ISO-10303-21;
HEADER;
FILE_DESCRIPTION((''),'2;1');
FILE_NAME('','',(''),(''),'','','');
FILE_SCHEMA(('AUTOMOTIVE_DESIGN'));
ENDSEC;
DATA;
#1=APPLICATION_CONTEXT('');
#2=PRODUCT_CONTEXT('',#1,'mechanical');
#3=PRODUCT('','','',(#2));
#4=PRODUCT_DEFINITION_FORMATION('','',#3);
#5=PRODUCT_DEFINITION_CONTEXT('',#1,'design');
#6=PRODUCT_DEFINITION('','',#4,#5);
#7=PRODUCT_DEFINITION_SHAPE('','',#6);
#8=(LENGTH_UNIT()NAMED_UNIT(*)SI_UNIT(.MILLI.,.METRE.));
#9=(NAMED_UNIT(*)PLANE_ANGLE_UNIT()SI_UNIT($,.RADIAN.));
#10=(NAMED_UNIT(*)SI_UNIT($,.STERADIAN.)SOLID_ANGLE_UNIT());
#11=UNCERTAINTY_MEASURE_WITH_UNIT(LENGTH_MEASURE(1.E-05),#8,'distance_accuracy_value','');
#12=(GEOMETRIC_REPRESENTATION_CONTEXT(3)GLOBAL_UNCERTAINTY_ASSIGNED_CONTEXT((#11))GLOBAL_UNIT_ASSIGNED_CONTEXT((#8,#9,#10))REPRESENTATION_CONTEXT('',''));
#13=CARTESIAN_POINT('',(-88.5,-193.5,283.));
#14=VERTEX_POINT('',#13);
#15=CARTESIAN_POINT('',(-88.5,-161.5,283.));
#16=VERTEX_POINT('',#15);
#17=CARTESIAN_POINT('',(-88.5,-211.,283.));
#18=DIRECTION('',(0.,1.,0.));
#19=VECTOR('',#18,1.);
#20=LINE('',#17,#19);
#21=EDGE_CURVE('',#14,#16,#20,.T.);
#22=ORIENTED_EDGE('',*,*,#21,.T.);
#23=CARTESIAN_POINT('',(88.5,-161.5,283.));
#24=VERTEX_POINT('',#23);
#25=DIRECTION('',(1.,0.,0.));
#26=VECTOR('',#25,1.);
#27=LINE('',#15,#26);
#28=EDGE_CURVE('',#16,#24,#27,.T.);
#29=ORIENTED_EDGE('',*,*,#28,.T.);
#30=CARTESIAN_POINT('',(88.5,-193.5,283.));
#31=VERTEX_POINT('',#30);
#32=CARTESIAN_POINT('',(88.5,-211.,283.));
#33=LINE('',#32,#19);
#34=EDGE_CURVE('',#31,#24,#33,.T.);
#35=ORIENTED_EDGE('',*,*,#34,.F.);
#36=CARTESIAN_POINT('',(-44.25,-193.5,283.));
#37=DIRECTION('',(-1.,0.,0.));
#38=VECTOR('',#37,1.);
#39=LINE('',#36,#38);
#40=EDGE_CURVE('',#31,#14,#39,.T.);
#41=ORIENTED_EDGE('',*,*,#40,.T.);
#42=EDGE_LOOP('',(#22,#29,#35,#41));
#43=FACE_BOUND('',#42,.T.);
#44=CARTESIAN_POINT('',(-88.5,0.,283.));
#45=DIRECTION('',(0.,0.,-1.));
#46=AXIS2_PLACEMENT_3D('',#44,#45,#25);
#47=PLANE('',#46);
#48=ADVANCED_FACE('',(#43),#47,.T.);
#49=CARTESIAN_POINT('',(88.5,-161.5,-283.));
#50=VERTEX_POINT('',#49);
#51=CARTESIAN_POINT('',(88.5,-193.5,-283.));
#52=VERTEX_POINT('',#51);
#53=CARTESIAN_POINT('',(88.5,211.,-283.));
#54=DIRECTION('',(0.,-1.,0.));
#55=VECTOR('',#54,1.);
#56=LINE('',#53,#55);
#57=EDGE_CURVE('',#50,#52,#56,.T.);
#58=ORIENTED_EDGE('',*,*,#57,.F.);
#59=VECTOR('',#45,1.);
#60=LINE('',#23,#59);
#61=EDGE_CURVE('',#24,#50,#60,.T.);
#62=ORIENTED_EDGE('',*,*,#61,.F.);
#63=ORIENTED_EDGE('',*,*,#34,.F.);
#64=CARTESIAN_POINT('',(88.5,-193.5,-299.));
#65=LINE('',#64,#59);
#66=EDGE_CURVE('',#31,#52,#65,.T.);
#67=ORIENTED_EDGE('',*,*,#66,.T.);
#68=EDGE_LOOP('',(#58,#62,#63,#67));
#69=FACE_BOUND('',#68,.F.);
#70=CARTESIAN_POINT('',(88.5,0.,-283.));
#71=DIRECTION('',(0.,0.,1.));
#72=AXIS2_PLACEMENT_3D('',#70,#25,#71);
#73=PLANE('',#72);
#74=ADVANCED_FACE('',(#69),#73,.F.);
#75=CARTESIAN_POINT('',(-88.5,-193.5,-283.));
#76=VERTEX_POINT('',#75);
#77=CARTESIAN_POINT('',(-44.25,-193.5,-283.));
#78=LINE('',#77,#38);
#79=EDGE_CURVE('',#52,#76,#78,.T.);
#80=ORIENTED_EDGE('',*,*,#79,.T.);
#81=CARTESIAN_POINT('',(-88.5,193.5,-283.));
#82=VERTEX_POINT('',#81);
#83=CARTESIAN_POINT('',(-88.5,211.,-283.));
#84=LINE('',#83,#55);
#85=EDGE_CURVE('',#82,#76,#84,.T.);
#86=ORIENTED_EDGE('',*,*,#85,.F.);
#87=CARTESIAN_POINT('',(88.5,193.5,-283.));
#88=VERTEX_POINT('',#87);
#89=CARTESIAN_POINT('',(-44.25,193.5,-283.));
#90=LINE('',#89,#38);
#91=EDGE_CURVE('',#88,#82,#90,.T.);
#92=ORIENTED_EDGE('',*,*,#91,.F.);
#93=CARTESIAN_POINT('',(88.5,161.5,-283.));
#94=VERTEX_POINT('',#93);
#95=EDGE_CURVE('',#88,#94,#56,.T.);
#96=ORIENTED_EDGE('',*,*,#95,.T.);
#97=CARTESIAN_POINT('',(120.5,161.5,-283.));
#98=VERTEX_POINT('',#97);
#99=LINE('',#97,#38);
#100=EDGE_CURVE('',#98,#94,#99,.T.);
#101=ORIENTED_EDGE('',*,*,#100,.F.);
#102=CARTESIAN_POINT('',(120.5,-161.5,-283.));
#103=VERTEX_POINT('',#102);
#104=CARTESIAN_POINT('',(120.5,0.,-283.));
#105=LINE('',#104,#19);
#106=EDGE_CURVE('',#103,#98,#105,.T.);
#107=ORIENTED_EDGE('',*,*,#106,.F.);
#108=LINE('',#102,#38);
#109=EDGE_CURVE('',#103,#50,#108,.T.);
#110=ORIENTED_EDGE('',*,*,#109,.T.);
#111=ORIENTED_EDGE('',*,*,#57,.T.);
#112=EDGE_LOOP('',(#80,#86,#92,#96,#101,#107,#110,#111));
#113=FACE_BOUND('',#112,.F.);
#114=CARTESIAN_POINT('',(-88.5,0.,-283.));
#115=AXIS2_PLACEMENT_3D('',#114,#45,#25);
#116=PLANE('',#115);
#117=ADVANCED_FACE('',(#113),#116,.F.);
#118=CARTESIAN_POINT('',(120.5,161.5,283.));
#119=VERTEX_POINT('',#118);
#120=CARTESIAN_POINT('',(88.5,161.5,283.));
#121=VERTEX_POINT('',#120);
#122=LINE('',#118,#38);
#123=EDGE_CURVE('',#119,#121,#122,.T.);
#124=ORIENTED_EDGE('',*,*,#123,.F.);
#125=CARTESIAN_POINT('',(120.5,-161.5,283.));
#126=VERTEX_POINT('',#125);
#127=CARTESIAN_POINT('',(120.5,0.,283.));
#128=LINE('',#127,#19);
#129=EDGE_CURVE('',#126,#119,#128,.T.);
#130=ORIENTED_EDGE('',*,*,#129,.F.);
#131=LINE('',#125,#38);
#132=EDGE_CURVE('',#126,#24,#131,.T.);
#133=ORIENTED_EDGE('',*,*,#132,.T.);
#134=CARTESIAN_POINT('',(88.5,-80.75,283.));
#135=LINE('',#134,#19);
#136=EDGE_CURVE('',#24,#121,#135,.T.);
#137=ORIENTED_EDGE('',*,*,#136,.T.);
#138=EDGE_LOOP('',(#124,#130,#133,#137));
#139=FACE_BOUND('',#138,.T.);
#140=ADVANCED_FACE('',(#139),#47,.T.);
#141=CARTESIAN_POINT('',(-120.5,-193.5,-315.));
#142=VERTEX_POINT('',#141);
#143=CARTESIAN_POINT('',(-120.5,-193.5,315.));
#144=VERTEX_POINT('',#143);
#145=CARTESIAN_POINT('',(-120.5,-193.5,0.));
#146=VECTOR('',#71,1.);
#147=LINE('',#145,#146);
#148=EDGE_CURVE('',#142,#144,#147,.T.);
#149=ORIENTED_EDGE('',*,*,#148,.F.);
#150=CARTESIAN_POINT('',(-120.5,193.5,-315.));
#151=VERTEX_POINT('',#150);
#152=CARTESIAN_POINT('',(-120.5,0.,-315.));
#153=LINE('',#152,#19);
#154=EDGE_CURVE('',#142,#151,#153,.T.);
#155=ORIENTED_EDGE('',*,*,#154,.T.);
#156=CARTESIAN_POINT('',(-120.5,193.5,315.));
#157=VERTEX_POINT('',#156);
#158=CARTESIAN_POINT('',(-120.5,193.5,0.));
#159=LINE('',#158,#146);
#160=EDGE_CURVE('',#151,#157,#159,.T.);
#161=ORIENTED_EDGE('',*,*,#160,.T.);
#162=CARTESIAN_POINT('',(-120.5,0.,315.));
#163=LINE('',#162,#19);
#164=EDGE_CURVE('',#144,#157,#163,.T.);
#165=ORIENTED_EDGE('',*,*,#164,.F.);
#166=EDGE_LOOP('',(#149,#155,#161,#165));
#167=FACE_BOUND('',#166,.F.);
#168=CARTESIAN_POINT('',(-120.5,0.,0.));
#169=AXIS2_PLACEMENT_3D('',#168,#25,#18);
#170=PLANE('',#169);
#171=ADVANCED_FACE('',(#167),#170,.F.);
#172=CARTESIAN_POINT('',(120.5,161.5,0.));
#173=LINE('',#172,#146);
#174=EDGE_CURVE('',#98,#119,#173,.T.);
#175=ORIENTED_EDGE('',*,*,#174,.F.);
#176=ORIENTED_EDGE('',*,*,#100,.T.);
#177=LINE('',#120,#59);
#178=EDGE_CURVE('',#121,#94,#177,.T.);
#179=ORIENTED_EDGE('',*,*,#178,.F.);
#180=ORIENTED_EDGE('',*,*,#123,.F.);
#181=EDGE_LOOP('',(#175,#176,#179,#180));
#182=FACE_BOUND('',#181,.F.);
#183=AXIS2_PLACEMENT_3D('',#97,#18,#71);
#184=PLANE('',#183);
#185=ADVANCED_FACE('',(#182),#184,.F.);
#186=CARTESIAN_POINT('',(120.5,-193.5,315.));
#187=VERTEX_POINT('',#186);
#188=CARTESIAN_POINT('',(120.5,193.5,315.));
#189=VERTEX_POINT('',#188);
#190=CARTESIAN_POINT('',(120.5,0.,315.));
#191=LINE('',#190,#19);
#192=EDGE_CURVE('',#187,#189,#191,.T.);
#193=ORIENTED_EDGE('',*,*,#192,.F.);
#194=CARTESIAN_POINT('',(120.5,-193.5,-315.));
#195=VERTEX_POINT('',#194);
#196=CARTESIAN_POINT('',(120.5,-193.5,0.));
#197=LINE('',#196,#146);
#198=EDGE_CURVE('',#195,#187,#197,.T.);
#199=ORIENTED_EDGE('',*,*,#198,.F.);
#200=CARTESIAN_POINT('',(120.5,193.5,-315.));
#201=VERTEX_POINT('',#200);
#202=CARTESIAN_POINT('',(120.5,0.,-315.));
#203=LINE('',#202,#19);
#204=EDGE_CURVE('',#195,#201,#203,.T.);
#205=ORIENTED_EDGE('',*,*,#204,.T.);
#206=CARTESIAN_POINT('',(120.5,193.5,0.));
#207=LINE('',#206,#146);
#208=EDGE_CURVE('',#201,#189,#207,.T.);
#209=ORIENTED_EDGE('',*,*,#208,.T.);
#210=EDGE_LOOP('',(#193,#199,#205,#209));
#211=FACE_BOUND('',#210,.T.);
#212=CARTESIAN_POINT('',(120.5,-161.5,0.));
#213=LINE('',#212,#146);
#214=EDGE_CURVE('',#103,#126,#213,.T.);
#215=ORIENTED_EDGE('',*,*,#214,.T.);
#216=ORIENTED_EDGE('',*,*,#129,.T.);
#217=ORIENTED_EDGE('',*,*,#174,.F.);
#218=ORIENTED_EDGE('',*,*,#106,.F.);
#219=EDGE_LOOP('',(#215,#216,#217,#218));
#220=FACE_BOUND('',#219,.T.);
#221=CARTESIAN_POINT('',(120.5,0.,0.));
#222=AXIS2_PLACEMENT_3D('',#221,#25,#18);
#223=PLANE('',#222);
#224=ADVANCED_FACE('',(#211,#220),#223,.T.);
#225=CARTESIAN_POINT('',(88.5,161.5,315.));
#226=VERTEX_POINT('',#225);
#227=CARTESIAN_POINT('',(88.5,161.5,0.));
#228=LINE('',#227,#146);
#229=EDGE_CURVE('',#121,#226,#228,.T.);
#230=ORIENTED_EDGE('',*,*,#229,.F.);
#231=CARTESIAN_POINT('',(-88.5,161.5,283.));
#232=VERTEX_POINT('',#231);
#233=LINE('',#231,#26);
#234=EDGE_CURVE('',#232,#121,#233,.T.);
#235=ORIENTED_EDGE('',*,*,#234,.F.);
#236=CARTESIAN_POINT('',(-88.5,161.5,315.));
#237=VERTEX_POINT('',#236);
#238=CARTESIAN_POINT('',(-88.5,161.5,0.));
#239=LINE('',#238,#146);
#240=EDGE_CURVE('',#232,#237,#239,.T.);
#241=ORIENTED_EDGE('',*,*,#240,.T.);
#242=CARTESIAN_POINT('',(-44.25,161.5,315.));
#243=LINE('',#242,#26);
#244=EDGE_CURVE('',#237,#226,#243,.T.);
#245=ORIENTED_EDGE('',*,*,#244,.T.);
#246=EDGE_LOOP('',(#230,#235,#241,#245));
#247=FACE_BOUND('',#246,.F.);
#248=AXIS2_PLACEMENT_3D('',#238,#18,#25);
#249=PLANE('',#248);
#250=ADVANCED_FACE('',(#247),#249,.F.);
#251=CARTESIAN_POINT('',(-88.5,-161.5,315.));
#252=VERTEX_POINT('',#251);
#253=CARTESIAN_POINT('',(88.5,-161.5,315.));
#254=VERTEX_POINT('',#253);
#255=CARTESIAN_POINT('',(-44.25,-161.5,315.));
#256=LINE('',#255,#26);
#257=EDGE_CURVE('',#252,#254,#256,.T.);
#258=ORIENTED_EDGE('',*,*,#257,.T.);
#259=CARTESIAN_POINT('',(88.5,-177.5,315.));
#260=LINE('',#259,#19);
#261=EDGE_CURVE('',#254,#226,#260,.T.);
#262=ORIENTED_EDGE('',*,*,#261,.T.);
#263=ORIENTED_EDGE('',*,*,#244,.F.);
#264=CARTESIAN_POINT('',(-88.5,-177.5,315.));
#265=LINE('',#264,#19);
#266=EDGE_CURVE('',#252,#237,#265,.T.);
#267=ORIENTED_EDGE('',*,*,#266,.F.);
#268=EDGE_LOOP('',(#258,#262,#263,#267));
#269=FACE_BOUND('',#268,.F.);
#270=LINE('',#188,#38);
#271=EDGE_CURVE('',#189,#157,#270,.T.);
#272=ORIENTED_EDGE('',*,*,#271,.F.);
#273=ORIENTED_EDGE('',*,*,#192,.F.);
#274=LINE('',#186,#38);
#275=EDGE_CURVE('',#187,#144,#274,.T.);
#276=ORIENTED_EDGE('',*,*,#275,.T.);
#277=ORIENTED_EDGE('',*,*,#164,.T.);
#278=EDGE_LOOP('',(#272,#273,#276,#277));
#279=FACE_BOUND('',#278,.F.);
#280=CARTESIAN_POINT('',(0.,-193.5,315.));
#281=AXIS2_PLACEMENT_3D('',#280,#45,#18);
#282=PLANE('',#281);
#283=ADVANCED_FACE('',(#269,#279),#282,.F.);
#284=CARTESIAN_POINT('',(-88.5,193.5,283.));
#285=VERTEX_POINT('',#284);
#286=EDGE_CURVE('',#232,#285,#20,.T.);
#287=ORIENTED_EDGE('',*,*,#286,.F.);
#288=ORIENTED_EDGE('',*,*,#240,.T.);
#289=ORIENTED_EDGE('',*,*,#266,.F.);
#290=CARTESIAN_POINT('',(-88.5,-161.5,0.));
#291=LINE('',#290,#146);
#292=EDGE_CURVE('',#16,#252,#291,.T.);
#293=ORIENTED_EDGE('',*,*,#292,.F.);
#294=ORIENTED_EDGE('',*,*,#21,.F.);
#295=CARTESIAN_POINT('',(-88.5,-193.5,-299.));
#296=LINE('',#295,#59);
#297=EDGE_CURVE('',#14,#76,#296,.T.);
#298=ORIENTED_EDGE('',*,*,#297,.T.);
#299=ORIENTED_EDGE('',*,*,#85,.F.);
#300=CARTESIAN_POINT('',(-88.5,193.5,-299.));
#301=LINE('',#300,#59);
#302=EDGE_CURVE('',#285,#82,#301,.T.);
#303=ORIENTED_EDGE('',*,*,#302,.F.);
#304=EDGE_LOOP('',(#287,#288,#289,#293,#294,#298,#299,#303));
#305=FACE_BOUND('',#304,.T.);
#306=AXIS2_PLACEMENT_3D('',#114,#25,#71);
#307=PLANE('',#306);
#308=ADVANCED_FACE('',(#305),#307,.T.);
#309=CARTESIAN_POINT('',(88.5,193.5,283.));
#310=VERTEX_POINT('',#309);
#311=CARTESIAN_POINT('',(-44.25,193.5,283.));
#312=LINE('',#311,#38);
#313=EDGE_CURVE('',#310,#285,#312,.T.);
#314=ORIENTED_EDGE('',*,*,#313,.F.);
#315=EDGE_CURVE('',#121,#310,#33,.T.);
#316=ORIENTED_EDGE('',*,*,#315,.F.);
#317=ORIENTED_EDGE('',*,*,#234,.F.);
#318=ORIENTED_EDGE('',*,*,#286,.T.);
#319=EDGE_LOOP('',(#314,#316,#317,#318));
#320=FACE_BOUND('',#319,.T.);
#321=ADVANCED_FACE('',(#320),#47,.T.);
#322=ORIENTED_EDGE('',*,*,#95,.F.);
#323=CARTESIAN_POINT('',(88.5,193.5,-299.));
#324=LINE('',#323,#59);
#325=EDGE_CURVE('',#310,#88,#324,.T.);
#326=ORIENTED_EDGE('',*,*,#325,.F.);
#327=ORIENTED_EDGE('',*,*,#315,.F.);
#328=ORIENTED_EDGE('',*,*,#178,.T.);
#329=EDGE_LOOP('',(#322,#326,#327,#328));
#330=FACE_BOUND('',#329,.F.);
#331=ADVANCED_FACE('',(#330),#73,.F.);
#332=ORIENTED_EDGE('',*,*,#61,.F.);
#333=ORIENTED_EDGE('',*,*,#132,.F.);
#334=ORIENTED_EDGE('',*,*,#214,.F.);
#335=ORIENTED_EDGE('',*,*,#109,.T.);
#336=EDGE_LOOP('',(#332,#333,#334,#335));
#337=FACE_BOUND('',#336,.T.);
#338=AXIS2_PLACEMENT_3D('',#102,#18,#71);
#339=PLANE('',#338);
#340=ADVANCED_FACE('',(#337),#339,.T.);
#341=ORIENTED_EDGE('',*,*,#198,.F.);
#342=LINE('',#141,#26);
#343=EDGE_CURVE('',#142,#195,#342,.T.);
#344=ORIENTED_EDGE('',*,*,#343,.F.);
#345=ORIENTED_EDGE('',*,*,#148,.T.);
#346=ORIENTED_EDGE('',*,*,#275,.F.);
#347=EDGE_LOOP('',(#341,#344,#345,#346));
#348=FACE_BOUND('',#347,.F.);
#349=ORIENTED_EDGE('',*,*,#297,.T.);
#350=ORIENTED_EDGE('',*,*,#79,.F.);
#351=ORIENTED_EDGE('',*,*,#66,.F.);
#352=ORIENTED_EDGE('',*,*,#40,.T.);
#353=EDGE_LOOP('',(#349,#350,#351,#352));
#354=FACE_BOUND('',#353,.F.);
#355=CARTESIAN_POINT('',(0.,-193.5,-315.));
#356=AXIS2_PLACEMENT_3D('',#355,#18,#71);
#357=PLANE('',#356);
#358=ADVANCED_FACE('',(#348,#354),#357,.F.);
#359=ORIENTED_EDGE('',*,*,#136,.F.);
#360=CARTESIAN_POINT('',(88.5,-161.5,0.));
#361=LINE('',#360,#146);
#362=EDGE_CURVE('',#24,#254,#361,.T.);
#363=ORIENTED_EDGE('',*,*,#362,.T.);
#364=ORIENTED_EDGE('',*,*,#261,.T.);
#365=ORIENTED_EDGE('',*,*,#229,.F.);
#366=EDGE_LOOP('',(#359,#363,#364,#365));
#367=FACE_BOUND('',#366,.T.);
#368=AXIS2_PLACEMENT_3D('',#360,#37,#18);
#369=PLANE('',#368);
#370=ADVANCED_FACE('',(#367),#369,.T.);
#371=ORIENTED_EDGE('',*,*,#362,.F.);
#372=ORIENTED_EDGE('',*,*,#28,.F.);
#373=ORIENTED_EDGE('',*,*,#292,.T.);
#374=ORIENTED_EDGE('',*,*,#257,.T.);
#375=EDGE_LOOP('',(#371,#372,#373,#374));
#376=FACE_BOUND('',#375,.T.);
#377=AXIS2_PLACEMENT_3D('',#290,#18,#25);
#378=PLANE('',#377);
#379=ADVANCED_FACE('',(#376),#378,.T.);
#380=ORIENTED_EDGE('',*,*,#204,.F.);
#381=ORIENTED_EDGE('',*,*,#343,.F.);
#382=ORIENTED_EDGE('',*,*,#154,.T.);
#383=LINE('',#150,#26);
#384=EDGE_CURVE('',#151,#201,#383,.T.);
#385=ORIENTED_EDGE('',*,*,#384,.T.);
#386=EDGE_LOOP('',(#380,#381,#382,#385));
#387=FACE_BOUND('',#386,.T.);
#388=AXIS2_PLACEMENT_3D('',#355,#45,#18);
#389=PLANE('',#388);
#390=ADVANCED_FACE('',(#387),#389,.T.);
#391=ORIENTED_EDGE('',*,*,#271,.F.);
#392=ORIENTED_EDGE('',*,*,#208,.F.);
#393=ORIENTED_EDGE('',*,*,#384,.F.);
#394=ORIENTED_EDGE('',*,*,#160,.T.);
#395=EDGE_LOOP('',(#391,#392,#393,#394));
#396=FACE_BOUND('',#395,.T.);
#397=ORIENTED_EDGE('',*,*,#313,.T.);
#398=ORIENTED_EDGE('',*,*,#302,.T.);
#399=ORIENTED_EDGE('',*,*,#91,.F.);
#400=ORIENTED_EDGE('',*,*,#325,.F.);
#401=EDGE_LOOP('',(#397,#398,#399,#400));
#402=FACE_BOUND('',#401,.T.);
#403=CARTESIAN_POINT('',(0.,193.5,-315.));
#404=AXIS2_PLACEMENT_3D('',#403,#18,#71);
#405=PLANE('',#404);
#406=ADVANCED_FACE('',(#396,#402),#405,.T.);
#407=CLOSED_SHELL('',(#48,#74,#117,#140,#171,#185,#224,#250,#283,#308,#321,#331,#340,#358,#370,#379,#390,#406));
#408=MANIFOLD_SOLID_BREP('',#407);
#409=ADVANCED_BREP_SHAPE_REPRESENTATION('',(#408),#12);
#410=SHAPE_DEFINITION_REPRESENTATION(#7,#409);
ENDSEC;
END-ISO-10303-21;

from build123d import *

# Parameters (mm, degrees)
F0_W     = 387
F0_H     = 630
F1_DEPTH = 120.5
F3_W     = 177
F3_H     = 323
F5_DEPTH = 145.5
F2_W     = 323
F2_H     = 566
F6_DEPTH = 193
F4_W     = 177
F4_H     = 566
F7_DEPTH = 211
F8_W     = 177
F8_H     = 323
F9_DEPTH = 315.001


with BuildPart() as f1:
    # F0 (on Right) → F1 (new body, symmetric)
    with BuildSketch(Plane.YZ):
        Rectangle(F0_W, F0_H)
    extrude(amount=F1_DEPTH, both=True)


with BuildPart() as f5:
    # F3 (on Top) → F5 (new body, symmetric)
    with BuildSketch(Plane.XY):
        Rectangle(F3_W, F3_H)
    extrude(amount=F5_DEPTH, both=True)


with BuildPart() as f6_tool:
    # F2 (on face) → F6 (new body)
    with BuildSketch(Plane.YZ.offset(120.5)):
        Rectangle(F2_W, F2_H)
    extrude(amount=-F6_DEPTH)


with BuildPart() as f1_1:
    add(f1.part)

    # F6: cut by f6_tool
    add(f6_tool.part, mode=Mode.SUBTRACT)


with BuildPart() as f5_1:
    add(f5.part)

    # F6: cut by f6_tool
    add(f6_tool.part, mode=Mode.SUBTRACT)


with BuildPart() as f7_tool:
    # F4 (on Front) → F7 (new body, symmetric)
    with BuildSketch(Plane.XZ):
        Rectangle(F4_W, F4_H)
    extrude(amount=F7_DEPTH, both=True)


with BuildPart() as f1_2:
    add(f1_1.part)

    # F7: cut by f7_tool
    add(f7_tool.part, mode=Mode.SUBTRACT)

    # F8 (on Top) → F9 (cut, through all)
    with BuildSketch(Plane.XY):
        Rectangle(F8_W, F8_H)
    extrude(amount=F9_DEPTH, mode=Mode.SUBTRACT)


with BuildPart() as f5_2:
    add(f5_1.part)

    # F7: cut by f7_tool
    add(f7_tool.part, mode=Mode.SUBTRACT)


solid = f1_2.part
